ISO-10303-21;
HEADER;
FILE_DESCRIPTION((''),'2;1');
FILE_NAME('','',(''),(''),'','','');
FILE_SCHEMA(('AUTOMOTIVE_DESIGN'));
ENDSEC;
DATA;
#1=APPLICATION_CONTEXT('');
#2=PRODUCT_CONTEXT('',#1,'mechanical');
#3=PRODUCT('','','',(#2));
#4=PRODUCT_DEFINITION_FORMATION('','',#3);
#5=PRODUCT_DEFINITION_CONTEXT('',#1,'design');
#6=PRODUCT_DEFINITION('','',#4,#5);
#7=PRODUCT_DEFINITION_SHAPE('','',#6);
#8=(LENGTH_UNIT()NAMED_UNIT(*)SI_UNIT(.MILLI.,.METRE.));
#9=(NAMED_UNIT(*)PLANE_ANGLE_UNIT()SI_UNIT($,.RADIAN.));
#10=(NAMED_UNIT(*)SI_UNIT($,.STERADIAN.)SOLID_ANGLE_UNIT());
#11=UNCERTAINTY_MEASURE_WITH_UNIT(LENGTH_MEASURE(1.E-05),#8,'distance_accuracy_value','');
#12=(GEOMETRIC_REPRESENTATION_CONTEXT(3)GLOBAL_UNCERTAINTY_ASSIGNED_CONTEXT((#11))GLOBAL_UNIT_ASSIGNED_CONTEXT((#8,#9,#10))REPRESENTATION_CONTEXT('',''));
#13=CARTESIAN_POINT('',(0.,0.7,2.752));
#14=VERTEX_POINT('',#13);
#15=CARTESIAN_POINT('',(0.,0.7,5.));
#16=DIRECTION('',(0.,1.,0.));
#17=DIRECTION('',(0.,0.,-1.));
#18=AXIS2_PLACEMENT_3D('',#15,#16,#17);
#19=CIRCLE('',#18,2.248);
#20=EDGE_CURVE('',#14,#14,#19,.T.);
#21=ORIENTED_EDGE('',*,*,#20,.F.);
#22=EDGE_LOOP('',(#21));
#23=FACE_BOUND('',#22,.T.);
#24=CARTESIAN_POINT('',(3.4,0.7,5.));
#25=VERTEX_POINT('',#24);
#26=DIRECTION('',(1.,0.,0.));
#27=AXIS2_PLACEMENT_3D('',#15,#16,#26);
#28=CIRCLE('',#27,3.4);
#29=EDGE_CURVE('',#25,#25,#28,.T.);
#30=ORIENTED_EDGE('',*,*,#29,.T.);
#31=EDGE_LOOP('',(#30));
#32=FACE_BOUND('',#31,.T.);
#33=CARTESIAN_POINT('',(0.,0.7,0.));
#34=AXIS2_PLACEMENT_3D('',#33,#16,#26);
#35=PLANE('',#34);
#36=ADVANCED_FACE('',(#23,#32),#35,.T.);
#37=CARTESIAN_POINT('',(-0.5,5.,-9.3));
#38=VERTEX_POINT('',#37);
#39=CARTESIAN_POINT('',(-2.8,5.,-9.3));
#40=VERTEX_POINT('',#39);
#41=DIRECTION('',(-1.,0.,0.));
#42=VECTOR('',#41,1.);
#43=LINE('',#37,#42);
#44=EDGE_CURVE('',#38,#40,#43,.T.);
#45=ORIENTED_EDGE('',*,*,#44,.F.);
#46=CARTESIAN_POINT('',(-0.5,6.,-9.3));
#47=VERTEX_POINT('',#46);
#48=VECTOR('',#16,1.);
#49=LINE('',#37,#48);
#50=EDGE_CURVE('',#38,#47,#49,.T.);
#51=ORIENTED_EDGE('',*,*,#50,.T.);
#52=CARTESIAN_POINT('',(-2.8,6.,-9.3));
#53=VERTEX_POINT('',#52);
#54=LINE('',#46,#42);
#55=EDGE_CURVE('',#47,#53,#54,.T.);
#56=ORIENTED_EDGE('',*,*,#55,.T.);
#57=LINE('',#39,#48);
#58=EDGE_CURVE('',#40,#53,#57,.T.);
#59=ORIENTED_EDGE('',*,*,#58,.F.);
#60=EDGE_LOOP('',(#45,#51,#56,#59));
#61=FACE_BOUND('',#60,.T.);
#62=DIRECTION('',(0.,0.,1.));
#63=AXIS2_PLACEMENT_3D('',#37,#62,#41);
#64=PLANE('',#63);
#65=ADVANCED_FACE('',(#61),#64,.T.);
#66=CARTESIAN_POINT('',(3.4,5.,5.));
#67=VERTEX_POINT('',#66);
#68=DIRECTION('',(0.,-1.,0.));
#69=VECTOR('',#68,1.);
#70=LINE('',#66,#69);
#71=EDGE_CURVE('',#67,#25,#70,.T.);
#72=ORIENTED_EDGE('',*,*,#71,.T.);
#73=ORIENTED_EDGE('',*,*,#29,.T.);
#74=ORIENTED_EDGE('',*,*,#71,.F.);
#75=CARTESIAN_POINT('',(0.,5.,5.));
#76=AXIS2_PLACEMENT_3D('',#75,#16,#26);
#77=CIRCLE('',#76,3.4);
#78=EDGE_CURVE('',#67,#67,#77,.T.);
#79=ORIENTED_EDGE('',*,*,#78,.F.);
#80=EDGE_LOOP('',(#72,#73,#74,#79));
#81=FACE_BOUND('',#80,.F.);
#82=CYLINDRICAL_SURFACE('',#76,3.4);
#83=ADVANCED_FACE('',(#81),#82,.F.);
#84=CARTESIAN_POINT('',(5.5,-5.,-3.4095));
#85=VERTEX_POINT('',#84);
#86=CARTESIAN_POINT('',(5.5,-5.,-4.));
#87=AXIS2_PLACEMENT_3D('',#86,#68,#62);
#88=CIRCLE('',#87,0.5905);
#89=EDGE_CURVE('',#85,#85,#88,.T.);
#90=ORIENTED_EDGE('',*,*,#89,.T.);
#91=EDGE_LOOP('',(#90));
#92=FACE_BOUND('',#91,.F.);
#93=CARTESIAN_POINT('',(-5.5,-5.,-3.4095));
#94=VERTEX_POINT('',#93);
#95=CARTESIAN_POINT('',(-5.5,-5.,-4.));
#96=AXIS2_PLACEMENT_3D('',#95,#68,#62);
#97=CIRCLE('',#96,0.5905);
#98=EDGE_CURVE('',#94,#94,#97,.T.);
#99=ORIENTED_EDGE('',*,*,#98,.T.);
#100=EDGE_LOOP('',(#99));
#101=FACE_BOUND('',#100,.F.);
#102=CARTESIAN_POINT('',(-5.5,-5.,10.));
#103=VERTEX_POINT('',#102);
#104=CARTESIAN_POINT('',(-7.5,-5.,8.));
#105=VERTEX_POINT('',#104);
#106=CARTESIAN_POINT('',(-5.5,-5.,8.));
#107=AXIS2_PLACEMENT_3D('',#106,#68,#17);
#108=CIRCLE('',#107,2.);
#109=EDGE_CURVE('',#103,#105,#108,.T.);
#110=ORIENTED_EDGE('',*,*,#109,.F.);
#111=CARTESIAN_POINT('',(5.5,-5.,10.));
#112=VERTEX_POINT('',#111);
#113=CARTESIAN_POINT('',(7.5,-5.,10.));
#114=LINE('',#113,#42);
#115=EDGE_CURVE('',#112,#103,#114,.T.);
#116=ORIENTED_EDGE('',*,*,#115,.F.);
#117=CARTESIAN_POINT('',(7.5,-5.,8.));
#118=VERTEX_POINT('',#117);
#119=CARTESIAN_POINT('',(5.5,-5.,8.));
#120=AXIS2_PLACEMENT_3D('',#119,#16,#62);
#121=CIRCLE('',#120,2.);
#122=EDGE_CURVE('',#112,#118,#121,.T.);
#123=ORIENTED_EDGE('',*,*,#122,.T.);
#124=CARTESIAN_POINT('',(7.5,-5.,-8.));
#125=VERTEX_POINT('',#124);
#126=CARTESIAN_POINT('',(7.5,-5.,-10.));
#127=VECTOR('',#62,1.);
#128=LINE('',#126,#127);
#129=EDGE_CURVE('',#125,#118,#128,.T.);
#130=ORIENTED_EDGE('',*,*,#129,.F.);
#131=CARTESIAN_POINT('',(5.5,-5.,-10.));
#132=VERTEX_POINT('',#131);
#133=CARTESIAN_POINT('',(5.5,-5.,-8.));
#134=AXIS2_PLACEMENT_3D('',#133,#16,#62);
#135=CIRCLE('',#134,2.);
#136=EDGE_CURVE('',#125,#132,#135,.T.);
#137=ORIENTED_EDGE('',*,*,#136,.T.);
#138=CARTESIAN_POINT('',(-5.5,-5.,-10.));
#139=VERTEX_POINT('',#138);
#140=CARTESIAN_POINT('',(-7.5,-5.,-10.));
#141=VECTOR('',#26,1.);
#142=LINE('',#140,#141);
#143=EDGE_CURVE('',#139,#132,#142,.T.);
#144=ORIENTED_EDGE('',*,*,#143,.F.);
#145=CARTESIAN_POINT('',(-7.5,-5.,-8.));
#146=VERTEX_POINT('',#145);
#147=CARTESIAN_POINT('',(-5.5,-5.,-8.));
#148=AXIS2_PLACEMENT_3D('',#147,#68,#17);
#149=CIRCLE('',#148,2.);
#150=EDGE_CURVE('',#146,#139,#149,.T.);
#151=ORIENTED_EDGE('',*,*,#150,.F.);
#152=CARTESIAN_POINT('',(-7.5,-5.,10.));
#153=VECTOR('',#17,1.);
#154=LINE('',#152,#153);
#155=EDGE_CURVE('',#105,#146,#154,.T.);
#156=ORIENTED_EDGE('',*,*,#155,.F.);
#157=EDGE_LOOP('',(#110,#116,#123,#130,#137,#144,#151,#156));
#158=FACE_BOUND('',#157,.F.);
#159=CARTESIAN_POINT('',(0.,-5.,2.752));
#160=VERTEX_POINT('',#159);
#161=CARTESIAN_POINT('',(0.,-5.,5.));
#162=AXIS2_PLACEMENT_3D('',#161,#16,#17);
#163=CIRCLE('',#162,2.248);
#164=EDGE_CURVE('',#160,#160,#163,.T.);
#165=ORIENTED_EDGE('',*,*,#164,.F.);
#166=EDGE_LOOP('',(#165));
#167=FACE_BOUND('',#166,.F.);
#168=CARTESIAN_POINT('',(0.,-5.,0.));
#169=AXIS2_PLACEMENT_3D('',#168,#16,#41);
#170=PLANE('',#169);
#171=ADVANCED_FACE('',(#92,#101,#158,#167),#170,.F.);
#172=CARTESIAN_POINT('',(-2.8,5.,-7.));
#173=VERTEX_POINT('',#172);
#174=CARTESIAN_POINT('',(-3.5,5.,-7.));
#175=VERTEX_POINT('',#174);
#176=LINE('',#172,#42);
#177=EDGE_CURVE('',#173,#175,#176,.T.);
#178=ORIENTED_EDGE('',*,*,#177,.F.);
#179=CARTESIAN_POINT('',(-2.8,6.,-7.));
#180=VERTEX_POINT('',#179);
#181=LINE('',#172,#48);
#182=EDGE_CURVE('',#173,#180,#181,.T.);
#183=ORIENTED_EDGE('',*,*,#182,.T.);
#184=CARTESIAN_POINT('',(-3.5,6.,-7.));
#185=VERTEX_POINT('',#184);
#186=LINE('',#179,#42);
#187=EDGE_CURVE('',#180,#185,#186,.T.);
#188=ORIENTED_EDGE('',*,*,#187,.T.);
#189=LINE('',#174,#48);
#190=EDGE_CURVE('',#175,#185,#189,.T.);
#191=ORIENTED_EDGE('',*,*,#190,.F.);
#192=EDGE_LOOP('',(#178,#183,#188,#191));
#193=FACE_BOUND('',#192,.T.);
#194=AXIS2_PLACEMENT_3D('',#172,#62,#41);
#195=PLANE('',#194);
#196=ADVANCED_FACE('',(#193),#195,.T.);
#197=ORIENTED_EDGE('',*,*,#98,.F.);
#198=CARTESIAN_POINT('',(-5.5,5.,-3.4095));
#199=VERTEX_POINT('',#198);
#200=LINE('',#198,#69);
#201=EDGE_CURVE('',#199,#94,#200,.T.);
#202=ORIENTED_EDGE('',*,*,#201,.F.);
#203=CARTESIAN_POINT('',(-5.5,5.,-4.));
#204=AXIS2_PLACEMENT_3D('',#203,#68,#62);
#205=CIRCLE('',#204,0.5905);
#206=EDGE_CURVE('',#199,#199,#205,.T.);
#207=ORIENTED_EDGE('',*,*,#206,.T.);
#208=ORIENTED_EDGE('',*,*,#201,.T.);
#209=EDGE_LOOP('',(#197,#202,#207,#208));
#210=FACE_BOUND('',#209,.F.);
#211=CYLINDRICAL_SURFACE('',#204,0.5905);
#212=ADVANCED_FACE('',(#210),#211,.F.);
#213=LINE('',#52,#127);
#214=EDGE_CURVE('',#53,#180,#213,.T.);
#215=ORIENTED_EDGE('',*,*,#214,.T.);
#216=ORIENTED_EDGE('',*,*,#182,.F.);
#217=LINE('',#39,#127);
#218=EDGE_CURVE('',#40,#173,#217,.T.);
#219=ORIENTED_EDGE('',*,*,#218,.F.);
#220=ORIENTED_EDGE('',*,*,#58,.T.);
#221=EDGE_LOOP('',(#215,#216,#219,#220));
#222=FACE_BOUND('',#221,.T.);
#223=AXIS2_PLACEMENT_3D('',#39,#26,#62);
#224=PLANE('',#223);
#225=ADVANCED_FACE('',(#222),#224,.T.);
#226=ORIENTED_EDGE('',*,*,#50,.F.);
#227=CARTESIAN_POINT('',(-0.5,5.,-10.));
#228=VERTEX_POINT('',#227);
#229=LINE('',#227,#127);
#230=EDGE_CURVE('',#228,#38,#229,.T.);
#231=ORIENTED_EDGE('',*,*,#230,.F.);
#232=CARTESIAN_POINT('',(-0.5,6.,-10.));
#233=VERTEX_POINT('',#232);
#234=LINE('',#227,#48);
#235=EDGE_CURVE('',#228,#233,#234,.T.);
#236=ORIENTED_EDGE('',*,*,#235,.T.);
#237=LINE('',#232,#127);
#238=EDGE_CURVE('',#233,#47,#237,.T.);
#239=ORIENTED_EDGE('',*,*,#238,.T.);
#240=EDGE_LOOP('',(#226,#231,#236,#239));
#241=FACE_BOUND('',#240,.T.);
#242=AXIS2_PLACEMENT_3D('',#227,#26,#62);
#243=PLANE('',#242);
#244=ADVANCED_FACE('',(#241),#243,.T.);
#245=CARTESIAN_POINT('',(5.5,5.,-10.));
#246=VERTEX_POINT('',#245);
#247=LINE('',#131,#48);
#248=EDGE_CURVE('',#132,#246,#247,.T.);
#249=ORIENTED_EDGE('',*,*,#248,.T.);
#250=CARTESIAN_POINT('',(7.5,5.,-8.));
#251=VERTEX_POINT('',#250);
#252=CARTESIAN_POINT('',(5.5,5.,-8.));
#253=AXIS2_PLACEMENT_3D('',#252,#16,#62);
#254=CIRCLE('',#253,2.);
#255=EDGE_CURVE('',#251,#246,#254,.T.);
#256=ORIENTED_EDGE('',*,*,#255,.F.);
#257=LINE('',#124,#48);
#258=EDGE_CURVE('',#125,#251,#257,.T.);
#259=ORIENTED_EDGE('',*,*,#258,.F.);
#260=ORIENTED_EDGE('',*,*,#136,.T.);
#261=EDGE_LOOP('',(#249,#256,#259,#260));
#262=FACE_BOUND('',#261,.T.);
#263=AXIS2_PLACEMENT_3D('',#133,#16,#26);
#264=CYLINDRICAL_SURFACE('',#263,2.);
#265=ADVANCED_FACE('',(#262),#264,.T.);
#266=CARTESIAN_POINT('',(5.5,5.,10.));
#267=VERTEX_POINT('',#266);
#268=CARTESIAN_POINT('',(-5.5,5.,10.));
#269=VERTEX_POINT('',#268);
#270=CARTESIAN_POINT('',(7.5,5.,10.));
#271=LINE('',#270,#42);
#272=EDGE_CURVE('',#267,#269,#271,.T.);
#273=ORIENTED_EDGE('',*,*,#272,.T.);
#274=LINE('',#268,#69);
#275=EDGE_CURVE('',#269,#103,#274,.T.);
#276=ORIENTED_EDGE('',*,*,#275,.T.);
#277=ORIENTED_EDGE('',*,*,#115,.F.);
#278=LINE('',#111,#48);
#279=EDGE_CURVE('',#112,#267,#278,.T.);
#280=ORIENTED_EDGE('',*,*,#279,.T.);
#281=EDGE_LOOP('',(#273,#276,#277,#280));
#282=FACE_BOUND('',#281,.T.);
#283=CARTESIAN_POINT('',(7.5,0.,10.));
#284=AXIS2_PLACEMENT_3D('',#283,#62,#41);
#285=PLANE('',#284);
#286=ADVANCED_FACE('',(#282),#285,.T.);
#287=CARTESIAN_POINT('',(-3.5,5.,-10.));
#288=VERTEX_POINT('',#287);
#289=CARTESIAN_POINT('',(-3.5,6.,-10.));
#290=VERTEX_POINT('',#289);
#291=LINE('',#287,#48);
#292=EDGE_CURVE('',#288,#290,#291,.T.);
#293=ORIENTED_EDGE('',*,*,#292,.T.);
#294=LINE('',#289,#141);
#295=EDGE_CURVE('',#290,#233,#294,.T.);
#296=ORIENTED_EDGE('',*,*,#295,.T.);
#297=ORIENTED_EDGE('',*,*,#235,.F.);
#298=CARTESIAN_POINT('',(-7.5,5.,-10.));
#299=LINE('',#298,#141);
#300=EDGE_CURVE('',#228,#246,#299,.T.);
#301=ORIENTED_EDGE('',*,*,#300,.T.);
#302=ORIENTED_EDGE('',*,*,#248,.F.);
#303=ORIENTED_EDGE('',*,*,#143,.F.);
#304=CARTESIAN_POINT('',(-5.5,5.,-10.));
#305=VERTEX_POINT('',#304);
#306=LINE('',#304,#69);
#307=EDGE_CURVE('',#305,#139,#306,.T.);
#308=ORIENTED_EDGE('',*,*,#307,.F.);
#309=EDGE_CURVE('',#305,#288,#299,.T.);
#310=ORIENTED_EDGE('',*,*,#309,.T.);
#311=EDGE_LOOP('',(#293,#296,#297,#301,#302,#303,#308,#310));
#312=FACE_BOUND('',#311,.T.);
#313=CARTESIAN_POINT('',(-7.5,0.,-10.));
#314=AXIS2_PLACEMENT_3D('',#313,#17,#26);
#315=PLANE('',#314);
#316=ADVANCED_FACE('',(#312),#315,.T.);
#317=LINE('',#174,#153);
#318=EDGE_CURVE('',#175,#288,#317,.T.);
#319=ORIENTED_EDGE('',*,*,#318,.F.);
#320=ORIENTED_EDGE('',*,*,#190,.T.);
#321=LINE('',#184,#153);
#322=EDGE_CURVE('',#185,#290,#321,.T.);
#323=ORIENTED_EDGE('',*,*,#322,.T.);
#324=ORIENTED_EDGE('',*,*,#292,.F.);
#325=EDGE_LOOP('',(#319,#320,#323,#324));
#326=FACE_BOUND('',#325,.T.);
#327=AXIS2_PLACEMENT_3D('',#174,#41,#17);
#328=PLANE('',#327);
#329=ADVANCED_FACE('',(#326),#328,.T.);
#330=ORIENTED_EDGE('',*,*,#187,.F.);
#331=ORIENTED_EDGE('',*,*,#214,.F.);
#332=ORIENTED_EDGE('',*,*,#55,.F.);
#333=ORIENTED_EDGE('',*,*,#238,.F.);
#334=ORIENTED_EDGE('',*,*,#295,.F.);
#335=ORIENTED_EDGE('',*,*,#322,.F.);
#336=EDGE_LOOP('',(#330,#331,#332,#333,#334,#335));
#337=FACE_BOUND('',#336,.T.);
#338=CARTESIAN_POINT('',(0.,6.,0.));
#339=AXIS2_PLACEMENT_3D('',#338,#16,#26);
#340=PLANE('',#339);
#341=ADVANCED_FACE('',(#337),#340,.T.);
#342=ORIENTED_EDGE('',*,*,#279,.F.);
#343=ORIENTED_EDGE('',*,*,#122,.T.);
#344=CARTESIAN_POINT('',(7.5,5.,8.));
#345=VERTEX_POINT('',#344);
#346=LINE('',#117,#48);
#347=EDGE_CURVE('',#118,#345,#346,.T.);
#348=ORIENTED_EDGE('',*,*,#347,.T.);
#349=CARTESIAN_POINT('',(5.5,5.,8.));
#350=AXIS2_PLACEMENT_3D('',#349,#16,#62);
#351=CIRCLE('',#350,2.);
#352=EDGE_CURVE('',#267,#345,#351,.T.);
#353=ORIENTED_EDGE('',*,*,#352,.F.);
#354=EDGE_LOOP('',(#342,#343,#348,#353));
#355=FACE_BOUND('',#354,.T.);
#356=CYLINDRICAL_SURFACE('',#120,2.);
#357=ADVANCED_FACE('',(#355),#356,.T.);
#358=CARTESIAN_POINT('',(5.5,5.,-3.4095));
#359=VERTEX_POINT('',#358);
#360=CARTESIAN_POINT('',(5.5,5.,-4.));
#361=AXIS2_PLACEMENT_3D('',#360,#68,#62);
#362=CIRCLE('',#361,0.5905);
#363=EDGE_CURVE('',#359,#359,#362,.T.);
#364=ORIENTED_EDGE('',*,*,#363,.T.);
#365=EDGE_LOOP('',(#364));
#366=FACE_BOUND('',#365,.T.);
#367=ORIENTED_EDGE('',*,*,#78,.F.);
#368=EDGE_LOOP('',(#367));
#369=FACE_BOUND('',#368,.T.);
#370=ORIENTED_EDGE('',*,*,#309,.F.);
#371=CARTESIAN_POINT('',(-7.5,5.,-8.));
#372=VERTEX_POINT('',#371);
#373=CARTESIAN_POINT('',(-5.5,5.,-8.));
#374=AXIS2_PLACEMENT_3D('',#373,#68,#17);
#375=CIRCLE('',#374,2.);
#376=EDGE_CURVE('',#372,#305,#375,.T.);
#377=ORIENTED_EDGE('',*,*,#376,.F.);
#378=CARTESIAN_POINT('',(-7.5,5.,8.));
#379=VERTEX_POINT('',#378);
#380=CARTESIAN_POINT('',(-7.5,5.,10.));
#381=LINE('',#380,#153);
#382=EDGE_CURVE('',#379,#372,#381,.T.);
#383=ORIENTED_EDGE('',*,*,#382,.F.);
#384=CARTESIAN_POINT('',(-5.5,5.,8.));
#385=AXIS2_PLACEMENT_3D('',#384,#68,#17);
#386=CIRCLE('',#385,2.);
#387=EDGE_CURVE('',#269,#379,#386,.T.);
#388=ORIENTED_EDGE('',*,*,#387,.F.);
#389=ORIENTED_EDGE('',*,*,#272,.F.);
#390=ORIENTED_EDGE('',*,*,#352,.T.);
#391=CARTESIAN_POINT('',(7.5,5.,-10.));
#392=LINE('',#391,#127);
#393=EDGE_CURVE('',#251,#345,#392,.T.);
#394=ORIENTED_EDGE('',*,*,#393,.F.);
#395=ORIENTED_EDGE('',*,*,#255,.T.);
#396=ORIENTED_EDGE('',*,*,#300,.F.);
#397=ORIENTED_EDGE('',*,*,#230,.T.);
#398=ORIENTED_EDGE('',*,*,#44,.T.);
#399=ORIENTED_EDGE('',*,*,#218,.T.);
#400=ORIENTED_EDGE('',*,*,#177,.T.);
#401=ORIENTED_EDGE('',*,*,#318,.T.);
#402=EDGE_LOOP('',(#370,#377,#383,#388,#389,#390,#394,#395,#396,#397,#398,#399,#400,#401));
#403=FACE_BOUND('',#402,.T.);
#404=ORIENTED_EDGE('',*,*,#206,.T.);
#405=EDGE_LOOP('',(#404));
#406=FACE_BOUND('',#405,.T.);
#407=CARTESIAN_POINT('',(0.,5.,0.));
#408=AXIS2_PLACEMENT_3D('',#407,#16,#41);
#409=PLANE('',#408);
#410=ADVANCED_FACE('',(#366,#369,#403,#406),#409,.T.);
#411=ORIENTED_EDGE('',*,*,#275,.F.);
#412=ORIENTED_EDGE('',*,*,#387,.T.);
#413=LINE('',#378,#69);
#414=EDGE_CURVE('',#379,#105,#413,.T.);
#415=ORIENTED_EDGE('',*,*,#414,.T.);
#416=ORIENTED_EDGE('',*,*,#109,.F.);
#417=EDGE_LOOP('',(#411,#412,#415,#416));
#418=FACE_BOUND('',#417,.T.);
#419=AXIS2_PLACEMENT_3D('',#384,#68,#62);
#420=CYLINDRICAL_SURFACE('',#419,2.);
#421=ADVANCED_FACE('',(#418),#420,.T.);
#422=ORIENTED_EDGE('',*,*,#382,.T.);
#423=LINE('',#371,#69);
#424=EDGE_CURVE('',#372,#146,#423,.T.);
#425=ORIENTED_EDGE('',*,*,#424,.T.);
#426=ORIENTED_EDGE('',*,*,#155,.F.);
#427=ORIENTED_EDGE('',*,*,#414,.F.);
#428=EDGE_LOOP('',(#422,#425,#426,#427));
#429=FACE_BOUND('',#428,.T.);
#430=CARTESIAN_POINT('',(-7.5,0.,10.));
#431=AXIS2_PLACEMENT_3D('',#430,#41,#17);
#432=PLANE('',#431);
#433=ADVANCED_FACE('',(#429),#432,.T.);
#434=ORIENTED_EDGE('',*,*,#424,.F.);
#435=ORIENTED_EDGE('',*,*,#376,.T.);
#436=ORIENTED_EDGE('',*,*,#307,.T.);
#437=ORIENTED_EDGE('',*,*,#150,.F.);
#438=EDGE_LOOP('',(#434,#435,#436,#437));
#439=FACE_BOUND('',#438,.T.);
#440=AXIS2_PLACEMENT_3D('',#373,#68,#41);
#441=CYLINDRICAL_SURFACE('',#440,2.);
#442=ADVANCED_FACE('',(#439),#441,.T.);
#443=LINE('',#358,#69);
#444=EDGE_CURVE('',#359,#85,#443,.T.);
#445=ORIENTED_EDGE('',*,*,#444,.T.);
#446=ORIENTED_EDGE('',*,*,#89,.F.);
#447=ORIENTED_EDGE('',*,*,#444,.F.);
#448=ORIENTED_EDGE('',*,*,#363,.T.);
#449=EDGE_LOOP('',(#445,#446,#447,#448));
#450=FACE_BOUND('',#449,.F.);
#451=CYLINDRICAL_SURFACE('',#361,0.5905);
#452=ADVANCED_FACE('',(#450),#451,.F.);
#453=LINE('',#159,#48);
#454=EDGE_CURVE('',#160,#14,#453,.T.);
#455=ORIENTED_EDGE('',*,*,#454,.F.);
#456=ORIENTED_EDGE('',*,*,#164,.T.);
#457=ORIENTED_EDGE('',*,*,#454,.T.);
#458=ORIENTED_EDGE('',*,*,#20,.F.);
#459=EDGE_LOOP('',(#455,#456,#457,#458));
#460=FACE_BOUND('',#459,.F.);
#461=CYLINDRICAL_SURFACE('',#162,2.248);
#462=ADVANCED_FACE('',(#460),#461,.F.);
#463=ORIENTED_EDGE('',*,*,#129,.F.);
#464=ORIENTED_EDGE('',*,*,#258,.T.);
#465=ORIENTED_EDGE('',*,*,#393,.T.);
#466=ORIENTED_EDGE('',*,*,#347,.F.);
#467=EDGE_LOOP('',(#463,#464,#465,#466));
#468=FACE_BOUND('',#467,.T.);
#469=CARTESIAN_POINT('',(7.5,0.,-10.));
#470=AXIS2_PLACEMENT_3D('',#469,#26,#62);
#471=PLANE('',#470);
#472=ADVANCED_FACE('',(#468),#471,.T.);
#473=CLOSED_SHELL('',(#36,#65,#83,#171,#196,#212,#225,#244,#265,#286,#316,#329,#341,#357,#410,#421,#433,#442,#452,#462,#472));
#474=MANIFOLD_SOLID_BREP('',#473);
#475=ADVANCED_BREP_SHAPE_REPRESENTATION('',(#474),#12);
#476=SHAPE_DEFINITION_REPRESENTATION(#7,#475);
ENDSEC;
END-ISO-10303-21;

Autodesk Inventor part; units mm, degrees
ref_plane "YZ Plane" through (0, 0, 0) normal (1, 0, 0) x (0, 1, 0)
ref_plane "XZ Plane" through (0, 0, 0) normal (0, 1, 0) x (-1, 0, 0)
ref_plane "XY Plane" through (0, 0, 0) normal (0, 0, 1) x (1, 0, 0)
sketch "Sketch1" plane through (0, 0, 0) normal (0, 1, 0) x (-1, 0, 0)
  line L0 (-7.5, 10) -> (7.5, 10)
  line L1 (7.5, 10) -> (7.5, -10)
  line L2 (7.5, -10) -> (-7.5, -10)
  line L3 (-7.5, -10) -> (-7.5, 10)
  line L4 (-7.5, 10) -> (7.5, -10) construction
  line L5 (7.5, 10) -> (-7.5, -10) construction
  point P0 (0, 0)
  dimension "d0" = 15
  dimension "d1" = 20
extrude "Extrusion1" add sketch "Sketch1" along normal mid plane 10
sketch "Sketch2" plane through (0, 5, 0) normal (0, 1, 0) x (1, 0, 0)
  line L0 (-3.5, 7) -> (-3.5, 10)
  line L1 (-3.5, 10) -> (-0.5, 10)
  line L2 (-0.5, 10) -> (-0.5, 9.3)
  line L3 (-0.5, 9.3) -> (-2.8, 9.3)
  line L4 (-2.8, 9.3) -> (-2.8, 7)
  line L5 (-2.8, 7) -> (-3.5, 7)
  line L6 (7.5, 10) -> (-7.5, 10) projected
  line L7 (-7.5, 10) -> (-7.5, -10) projected
  point P0 (0, 0)
  dimension "d4" = 3
  dimension "d5" = 0.7
  dimension "d7" = 4
extrude "Extrusion2" add sketch "Sketch2" along normal blind 1
fillet "Fillet1" radius 2 4 edges at (-7.5, 0, -10) (-7.5, 0, 10) (7.5, 0, 10) (7.5, 0, -10)
sketch "Sketch4" plane through (0, 5, 0) normal (0, 1, 0) x (1, 0, 0)
  line L0 (7.5, -8) -> (7.5, 8) projected
  line L1 (5.5, 10) -> (-0.5, 10) projected
  line L2 (-7.5, 8) -> (-7.5, -8) projected
  point P0 (0, 0)
  point P1 (5.5, 4)
  point P2 (-5.5, 4)
  dimension "d19" = 2
  dimension "d29" = 6
  dimension "d49" = 2
hole "Hole2" at (5.5, 5, -4) at (-5.5, 5, -4) direction (0, -1, 0) diameter 1.181 end through all thread size "0-80 UNF" class "2B" standard "ANSI Unified Screw Threads"
sketch "Sketch6" plane through (0, -5, 0) normal (0, -1, 0) x (1, 0, 0)
  line L0 (5.5, 10) -> (-5.5, 10) projected
  point P0 (0, 0)
  point P1 (0, 5)
  dimension "d38" = 5
hole "Hole4" at (0, -5, 5) direction (0, 1, 0) diameter 4.496 end through all clearance for "Flat Head Machine Screw (82)" size "#8" standard "Ansi Unified Screw Threads"
sketch "Sketch7" plane through (0, 5, 0) normal (0, 1, 0) x (1, 0, 0)
  circle A0 centre (0, -5) radius 2.248 projected
  circle A1 centre (0, -5) radius 3.4
  point P0 (0, 0)
  dimension "d46" = 6.8
extrude "Extrusion3" cut sketch "Sketch7" against normal blind 4.3
equation "\"d49\" = d19"
properties part number "ChipHolder"
